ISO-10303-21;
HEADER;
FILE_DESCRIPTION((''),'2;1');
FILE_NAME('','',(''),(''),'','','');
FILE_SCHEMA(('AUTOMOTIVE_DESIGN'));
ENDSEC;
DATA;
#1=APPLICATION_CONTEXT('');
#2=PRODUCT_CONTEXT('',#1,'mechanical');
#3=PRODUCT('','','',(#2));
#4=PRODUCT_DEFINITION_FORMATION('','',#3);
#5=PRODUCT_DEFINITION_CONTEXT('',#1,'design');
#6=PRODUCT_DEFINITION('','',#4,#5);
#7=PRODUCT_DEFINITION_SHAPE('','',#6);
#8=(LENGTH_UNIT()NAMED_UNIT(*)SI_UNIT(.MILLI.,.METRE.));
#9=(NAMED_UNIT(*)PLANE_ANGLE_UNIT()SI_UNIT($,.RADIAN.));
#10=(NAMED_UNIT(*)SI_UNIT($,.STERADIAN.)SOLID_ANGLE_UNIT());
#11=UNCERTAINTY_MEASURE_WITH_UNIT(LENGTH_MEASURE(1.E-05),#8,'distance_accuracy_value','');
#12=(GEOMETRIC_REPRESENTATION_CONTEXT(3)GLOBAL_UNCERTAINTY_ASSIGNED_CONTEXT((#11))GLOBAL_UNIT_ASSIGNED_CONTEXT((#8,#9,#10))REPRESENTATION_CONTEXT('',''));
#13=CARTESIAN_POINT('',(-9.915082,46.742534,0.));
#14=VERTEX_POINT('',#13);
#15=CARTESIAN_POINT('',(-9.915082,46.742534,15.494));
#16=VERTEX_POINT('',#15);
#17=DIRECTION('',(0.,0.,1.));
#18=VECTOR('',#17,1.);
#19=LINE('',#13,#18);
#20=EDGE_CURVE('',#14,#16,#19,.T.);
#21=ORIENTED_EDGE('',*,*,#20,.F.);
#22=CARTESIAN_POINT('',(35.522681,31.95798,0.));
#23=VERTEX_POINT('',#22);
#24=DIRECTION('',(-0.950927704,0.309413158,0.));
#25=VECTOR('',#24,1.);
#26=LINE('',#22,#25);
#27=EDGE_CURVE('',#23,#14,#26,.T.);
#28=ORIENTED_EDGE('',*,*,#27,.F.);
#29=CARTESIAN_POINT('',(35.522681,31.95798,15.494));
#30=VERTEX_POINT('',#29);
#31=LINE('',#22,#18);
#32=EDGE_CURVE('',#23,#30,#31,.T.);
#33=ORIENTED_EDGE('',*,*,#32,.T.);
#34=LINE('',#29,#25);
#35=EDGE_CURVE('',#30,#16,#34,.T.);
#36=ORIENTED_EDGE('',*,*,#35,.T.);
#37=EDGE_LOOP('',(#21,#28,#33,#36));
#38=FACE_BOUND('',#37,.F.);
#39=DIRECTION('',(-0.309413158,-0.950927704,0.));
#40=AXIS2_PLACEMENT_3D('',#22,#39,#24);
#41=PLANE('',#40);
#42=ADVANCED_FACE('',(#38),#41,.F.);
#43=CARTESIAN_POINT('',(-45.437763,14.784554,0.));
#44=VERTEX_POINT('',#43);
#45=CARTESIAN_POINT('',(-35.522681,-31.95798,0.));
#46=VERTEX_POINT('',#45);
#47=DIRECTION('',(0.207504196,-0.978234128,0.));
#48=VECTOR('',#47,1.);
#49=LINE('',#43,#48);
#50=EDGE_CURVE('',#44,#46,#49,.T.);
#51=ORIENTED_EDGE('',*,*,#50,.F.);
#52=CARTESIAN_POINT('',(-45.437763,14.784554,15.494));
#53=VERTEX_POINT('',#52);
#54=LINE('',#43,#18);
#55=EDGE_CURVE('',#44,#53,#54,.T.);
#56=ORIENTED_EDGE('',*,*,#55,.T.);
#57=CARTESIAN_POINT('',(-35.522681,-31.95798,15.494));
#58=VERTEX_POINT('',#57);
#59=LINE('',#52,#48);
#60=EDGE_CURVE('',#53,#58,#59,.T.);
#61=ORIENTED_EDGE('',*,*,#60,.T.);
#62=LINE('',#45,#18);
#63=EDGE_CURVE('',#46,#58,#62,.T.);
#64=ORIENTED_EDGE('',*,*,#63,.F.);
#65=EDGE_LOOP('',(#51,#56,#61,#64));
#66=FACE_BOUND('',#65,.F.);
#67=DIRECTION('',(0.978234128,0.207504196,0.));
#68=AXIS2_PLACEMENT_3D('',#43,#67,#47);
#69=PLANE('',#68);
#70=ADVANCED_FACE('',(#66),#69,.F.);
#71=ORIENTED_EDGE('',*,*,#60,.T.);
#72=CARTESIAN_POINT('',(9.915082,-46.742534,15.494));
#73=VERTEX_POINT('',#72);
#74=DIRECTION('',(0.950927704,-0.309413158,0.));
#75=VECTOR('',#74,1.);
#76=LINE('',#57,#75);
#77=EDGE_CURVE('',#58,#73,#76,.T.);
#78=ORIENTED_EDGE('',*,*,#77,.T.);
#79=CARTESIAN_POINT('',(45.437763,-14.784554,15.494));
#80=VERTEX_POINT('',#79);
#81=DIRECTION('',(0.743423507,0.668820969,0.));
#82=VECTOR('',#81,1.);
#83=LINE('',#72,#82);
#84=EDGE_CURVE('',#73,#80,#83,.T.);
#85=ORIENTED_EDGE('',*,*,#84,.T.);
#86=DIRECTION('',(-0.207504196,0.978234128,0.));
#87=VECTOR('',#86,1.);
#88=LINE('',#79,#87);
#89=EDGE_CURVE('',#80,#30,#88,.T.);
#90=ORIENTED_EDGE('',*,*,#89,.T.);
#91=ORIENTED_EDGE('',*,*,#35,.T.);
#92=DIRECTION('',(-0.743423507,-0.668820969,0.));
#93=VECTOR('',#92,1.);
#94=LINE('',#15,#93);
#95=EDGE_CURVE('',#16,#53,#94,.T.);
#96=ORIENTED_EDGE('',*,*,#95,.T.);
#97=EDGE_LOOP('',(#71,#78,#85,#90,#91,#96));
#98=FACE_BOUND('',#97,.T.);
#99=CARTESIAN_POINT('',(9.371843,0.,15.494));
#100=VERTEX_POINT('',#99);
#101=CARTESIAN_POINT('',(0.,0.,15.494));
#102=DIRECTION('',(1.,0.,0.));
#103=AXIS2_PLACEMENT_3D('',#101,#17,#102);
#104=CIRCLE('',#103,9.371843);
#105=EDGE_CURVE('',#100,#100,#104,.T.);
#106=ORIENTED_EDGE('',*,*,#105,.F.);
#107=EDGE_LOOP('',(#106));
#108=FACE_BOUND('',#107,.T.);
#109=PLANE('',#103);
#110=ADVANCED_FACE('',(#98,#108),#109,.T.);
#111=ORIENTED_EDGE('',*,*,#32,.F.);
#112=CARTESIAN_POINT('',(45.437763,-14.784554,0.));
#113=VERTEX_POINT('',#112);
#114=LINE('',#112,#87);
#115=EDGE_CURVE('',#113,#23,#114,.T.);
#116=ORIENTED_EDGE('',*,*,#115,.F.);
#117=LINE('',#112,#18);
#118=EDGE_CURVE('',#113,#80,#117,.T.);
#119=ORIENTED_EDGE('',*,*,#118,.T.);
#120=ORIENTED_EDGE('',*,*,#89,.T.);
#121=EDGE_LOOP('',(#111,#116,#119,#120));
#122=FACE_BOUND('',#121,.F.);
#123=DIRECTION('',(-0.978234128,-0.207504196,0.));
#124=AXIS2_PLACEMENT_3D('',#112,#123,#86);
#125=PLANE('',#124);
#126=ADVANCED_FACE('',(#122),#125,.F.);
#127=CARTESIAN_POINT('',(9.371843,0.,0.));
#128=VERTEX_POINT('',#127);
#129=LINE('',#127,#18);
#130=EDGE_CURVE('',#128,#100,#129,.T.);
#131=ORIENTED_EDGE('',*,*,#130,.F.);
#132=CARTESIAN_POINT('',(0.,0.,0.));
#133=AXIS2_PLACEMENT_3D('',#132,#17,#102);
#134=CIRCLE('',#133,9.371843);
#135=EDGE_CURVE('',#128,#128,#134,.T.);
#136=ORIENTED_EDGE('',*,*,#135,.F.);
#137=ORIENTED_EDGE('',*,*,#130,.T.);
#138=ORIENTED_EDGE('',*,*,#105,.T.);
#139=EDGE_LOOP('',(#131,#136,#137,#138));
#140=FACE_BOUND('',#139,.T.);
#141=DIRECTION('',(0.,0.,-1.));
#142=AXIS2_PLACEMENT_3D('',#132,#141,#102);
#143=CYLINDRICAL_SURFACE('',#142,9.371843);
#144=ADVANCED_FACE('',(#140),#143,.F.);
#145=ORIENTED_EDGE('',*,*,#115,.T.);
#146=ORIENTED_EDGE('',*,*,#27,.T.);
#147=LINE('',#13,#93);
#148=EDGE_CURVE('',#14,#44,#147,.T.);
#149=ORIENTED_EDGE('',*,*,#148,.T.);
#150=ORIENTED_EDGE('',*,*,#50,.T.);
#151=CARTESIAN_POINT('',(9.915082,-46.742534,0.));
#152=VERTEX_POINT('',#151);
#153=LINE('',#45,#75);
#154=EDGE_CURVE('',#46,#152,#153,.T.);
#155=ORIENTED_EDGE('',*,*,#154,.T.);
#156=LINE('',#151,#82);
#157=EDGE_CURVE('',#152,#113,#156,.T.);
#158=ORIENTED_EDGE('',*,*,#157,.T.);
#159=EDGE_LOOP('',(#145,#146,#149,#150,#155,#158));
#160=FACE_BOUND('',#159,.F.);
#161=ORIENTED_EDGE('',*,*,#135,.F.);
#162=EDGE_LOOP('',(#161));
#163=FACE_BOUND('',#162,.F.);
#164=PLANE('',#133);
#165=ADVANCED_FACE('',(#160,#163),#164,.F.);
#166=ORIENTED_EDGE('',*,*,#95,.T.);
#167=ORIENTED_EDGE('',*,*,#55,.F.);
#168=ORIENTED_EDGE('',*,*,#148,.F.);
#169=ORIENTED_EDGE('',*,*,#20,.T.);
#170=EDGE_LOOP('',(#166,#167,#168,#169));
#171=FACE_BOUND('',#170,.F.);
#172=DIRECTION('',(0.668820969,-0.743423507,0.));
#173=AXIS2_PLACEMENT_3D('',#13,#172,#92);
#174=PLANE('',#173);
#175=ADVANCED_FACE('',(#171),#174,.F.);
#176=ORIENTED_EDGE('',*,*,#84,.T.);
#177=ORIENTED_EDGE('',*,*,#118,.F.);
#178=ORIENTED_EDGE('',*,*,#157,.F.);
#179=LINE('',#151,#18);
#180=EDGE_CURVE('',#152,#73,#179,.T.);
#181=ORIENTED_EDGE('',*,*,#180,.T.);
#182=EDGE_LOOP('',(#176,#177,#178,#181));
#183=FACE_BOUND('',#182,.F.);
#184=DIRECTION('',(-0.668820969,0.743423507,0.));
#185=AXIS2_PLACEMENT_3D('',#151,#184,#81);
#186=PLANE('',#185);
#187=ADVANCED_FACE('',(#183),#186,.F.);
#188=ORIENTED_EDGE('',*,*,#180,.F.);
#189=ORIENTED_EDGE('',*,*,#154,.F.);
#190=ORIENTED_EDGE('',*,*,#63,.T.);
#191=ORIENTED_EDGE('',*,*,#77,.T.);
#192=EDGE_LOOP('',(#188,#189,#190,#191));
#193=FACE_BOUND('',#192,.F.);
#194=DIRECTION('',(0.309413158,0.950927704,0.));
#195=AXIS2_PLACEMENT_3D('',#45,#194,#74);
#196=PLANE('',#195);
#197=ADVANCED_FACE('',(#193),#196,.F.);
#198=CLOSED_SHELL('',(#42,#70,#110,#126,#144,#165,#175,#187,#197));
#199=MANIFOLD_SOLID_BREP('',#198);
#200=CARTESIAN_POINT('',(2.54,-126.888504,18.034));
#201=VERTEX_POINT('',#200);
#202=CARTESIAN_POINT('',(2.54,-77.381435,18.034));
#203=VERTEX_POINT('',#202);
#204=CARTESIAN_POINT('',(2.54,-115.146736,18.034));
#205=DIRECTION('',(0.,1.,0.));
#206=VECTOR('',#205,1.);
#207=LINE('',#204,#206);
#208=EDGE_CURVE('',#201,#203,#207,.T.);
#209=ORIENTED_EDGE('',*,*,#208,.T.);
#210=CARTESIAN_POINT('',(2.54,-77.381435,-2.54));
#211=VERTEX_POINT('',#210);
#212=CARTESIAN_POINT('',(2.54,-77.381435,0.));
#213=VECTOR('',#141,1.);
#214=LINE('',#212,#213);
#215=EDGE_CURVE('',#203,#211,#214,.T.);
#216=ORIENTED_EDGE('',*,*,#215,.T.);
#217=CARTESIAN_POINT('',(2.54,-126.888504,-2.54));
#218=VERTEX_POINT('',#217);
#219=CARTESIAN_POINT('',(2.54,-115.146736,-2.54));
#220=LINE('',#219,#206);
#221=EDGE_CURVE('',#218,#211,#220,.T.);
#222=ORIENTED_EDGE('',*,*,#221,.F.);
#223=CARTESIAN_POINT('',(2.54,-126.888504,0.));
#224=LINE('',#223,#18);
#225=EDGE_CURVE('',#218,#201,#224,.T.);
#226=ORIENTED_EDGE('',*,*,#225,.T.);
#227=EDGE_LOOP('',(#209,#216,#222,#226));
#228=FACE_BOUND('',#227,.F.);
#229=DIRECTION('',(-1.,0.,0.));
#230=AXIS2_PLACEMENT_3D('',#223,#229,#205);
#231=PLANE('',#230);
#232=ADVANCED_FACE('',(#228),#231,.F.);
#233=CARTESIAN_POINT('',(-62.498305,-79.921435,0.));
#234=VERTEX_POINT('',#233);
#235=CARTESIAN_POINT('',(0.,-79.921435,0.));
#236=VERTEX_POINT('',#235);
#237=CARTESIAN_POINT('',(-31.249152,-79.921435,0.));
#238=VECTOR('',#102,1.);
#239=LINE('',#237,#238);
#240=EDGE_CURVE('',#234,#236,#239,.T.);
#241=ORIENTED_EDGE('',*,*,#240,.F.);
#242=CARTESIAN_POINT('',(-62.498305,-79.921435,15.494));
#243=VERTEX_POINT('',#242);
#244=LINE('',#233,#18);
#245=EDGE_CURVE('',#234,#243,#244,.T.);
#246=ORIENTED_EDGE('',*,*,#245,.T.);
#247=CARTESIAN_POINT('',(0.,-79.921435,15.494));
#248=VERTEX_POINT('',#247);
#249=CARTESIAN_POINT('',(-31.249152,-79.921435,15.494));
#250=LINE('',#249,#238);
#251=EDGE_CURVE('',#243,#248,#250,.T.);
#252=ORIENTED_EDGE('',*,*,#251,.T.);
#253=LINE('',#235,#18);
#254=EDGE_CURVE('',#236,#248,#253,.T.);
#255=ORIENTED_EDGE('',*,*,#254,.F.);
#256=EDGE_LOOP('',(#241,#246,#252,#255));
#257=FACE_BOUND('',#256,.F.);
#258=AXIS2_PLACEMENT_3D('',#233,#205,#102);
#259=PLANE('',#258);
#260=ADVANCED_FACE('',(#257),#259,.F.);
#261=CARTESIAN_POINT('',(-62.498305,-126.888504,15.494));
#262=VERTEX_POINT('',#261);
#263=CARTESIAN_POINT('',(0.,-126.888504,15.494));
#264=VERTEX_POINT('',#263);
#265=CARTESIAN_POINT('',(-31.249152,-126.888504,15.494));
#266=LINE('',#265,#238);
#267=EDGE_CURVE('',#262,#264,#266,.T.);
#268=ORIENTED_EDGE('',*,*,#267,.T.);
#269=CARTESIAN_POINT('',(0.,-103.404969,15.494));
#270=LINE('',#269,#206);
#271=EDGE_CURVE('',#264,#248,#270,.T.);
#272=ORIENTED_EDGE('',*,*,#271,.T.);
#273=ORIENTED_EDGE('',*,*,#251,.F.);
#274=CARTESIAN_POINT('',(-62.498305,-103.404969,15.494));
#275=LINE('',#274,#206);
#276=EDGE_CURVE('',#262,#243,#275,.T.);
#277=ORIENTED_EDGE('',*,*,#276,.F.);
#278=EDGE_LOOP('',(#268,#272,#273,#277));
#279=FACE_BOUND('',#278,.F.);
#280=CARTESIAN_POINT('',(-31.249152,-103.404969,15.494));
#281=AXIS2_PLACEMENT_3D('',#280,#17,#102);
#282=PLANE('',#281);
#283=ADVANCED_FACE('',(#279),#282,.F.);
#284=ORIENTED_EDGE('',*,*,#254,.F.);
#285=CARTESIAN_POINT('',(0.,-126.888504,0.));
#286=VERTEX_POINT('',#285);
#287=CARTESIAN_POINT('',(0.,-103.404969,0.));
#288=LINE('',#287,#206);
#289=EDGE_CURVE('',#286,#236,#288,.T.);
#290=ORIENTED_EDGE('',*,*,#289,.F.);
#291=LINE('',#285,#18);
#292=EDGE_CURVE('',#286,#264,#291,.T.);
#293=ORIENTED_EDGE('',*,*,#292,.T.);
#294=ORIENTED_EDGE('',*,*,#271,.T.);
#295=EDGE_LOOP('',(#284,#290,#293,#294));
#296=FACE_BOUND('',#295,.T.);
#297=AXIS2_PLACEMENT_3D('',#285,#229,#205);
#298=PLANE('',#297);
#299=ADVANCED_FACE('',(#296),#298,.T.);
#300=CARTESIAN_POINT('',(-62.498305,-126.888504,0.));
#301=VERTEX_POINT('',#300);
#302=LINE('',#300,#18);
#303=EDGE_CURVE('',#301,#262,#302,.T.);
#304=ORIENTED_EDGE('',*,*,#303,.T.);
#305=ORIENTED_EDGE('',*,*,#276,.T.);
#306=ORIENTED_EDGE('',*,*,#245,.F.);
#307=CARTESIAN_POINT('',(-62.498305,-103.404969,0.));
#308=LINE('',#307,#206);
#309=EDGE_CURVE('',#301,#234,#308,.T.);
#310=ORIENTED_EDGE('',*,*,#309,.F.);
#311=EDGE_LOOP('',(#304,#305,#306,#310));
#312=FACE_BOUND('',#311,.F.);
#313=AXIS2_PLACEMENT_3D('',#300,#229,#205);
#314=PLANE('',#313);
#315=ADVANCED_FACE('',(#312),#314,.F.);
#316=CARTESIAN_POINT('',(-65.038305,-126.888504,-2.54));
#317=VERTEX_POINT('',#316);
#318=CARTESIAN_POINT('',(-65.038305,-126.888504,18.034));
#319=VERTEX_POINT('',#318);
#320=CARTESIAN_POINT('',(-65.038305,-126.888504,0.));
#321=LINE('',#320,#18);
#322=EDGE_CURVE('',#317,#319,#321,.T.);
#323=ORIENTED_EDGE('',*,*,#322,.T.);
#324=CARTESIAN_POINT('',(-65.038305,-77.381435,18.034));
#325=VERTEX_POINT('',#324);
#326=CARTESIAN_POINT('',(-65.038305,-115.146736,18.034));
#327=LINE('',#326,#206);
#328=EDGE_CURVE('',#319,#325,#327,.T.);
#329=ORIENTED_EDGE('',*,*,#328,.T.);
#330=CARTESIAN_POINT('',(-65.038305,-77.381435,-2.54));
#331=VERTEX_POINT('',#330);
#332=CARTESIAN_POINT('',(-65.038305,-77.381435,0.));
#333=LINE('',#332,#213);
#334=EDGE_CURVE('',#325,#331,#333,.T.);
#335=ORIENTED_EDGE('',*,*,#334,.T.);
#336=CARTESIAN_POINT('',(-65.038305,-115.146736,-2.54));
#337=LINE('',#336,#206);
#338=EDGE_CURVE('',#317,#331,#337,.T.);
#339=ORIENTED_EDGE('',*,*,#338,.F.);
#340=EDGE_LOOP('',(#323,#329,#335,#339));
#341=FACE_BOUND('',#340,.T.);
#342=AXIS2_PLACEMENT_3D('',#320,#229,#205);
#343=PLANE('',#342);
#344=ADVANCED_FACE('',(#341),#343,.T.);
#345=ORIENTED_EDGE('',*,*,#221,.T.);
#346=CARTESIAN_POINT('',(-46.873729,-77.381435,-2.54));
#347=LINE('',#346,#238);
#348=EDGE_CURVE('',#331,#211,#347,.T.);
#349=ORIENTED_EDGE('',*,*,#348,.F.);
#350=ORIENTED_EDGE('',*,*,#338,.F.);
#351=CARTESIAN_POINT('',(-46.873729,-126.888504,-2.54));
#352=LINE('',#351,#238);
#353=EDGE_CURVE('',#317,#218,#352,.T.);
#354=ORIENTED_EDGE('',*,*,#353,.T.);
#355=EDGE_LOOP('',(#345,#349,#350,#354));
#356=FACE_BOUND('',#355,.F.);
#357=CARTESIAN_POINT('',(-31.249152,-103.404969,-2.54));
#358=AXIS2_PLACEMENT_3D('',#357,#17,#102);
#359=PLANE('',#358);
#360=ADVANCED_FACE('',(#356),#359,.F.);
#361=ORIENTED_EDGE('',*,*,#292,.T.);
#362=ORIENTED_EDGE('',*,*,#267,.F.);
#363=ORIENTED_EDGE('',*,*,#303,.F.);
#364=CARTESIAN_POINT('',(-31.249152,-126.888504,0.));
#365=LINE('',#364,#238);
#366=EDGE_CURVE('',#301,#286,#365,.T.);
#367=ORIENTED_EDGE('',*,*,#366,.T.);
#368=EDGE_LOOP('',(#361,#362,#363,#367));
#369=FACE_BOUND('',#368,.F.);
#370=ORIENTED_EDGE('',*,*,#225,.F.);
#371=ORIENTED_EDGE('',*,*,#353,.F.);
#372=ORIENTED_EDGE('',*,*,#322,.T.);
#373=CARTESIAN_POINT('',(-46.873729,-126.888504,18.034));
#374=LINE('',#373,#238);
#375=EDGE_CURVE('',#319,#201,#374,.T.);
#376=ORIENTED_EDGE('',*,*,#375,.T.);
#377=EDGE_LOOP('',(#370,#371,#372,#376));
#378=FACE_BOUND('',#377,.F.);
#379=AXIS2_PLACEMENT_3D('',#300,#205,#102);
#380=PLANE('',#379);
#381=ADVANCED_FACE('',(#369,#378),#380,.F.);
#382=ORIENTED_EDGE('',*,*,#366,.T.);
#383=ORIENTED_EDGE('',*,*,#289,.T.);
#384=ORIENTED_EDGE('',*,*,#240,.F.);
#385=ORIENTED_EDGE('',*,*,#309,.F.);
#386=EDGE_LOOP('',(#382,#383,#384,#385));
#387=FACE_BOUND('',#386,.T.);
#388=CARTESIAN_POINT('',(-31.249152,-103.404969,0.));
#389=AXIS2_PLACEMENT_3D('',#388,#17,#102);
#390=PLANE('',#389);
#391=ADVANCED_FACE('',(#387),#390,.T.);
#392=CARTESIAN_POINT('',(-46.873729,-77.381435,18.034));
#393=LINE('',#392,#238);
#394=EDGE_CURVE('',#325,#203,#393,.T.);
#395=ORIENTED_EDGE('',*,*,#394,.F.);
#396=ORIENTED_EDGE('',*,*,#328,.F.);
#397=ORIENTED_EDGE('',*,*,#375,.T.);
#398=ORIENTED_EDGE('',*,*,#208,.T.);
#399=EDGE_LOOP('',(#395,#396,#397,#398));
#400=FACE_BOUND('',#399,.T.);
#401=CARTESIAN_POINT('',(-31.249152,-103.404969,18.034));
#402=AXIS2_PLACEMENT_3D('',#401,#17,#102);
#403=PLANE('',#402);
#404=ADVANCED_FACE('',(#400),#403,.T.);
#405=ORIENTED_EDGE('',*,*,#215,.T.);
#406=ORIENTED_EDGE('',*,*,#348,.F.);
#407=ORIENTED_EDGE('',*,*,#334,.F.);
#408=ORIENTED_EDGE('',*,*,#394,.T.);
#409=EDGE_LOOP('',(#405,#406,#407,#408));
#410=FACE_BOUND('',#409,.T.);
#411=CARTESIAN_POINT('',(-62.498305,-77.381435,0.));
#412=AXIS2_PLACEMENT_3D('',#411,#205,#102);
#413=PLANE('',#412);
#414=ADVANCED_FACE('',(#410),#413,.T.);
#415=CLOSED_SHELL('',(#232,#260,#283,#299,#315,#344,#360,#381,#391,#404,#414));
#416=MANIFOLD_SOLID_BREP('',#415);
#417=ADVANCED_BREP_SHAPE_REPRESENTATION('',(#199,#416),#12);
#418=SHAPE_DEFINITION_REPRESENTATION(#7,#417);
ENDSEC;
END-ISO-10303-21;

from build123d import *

# Parameters (mm, degrees)
F0_R     = 9.3718433243
F1_DEPTH = 15.494
F0_W     = 62.4983049929
F0_H     = 46.9670684543
F2_T     = 2.54


with BuildPart() as f1:
    # F0 (on Top) → F1 (new body)
    with BuildSketch(Plane.XY):
        Polygon((-45.4377631109, 14.7845537997), (-35.5226807296, -31.9579802454), (9.9150823813, -46.7425340451), (45.4377631109, -14.7845537997), (35.5226807296, 31.9579802454), (-9.9150823813, 46.7425340451), align=None)
        Circle(F0_R, mode=Mode.SUBTRACT)
    extrude(amount=F1_DEPTH)


with BuildPart() as f1b:
    # F0 (on Top) → F1, piece 2 (new body)
    with BuildSketch(Plane.XY):
        with Locations((-31.2491524965, -103.4049693262)):
            Rectangle(F0_W, F0_H)
    extrude(amount=F1_DEPTH)

    # F2
    f2_openings = [f1b.faces().sort_by_distance(p)[0] for p in [
        (-31.249152, -126.888504, 7.747),
    ]]
    offset(amount=F2_T, openings=f2_openings, kind=Kind.INTERSECTION)


solid = Compound([f1.part, f1b.part])
